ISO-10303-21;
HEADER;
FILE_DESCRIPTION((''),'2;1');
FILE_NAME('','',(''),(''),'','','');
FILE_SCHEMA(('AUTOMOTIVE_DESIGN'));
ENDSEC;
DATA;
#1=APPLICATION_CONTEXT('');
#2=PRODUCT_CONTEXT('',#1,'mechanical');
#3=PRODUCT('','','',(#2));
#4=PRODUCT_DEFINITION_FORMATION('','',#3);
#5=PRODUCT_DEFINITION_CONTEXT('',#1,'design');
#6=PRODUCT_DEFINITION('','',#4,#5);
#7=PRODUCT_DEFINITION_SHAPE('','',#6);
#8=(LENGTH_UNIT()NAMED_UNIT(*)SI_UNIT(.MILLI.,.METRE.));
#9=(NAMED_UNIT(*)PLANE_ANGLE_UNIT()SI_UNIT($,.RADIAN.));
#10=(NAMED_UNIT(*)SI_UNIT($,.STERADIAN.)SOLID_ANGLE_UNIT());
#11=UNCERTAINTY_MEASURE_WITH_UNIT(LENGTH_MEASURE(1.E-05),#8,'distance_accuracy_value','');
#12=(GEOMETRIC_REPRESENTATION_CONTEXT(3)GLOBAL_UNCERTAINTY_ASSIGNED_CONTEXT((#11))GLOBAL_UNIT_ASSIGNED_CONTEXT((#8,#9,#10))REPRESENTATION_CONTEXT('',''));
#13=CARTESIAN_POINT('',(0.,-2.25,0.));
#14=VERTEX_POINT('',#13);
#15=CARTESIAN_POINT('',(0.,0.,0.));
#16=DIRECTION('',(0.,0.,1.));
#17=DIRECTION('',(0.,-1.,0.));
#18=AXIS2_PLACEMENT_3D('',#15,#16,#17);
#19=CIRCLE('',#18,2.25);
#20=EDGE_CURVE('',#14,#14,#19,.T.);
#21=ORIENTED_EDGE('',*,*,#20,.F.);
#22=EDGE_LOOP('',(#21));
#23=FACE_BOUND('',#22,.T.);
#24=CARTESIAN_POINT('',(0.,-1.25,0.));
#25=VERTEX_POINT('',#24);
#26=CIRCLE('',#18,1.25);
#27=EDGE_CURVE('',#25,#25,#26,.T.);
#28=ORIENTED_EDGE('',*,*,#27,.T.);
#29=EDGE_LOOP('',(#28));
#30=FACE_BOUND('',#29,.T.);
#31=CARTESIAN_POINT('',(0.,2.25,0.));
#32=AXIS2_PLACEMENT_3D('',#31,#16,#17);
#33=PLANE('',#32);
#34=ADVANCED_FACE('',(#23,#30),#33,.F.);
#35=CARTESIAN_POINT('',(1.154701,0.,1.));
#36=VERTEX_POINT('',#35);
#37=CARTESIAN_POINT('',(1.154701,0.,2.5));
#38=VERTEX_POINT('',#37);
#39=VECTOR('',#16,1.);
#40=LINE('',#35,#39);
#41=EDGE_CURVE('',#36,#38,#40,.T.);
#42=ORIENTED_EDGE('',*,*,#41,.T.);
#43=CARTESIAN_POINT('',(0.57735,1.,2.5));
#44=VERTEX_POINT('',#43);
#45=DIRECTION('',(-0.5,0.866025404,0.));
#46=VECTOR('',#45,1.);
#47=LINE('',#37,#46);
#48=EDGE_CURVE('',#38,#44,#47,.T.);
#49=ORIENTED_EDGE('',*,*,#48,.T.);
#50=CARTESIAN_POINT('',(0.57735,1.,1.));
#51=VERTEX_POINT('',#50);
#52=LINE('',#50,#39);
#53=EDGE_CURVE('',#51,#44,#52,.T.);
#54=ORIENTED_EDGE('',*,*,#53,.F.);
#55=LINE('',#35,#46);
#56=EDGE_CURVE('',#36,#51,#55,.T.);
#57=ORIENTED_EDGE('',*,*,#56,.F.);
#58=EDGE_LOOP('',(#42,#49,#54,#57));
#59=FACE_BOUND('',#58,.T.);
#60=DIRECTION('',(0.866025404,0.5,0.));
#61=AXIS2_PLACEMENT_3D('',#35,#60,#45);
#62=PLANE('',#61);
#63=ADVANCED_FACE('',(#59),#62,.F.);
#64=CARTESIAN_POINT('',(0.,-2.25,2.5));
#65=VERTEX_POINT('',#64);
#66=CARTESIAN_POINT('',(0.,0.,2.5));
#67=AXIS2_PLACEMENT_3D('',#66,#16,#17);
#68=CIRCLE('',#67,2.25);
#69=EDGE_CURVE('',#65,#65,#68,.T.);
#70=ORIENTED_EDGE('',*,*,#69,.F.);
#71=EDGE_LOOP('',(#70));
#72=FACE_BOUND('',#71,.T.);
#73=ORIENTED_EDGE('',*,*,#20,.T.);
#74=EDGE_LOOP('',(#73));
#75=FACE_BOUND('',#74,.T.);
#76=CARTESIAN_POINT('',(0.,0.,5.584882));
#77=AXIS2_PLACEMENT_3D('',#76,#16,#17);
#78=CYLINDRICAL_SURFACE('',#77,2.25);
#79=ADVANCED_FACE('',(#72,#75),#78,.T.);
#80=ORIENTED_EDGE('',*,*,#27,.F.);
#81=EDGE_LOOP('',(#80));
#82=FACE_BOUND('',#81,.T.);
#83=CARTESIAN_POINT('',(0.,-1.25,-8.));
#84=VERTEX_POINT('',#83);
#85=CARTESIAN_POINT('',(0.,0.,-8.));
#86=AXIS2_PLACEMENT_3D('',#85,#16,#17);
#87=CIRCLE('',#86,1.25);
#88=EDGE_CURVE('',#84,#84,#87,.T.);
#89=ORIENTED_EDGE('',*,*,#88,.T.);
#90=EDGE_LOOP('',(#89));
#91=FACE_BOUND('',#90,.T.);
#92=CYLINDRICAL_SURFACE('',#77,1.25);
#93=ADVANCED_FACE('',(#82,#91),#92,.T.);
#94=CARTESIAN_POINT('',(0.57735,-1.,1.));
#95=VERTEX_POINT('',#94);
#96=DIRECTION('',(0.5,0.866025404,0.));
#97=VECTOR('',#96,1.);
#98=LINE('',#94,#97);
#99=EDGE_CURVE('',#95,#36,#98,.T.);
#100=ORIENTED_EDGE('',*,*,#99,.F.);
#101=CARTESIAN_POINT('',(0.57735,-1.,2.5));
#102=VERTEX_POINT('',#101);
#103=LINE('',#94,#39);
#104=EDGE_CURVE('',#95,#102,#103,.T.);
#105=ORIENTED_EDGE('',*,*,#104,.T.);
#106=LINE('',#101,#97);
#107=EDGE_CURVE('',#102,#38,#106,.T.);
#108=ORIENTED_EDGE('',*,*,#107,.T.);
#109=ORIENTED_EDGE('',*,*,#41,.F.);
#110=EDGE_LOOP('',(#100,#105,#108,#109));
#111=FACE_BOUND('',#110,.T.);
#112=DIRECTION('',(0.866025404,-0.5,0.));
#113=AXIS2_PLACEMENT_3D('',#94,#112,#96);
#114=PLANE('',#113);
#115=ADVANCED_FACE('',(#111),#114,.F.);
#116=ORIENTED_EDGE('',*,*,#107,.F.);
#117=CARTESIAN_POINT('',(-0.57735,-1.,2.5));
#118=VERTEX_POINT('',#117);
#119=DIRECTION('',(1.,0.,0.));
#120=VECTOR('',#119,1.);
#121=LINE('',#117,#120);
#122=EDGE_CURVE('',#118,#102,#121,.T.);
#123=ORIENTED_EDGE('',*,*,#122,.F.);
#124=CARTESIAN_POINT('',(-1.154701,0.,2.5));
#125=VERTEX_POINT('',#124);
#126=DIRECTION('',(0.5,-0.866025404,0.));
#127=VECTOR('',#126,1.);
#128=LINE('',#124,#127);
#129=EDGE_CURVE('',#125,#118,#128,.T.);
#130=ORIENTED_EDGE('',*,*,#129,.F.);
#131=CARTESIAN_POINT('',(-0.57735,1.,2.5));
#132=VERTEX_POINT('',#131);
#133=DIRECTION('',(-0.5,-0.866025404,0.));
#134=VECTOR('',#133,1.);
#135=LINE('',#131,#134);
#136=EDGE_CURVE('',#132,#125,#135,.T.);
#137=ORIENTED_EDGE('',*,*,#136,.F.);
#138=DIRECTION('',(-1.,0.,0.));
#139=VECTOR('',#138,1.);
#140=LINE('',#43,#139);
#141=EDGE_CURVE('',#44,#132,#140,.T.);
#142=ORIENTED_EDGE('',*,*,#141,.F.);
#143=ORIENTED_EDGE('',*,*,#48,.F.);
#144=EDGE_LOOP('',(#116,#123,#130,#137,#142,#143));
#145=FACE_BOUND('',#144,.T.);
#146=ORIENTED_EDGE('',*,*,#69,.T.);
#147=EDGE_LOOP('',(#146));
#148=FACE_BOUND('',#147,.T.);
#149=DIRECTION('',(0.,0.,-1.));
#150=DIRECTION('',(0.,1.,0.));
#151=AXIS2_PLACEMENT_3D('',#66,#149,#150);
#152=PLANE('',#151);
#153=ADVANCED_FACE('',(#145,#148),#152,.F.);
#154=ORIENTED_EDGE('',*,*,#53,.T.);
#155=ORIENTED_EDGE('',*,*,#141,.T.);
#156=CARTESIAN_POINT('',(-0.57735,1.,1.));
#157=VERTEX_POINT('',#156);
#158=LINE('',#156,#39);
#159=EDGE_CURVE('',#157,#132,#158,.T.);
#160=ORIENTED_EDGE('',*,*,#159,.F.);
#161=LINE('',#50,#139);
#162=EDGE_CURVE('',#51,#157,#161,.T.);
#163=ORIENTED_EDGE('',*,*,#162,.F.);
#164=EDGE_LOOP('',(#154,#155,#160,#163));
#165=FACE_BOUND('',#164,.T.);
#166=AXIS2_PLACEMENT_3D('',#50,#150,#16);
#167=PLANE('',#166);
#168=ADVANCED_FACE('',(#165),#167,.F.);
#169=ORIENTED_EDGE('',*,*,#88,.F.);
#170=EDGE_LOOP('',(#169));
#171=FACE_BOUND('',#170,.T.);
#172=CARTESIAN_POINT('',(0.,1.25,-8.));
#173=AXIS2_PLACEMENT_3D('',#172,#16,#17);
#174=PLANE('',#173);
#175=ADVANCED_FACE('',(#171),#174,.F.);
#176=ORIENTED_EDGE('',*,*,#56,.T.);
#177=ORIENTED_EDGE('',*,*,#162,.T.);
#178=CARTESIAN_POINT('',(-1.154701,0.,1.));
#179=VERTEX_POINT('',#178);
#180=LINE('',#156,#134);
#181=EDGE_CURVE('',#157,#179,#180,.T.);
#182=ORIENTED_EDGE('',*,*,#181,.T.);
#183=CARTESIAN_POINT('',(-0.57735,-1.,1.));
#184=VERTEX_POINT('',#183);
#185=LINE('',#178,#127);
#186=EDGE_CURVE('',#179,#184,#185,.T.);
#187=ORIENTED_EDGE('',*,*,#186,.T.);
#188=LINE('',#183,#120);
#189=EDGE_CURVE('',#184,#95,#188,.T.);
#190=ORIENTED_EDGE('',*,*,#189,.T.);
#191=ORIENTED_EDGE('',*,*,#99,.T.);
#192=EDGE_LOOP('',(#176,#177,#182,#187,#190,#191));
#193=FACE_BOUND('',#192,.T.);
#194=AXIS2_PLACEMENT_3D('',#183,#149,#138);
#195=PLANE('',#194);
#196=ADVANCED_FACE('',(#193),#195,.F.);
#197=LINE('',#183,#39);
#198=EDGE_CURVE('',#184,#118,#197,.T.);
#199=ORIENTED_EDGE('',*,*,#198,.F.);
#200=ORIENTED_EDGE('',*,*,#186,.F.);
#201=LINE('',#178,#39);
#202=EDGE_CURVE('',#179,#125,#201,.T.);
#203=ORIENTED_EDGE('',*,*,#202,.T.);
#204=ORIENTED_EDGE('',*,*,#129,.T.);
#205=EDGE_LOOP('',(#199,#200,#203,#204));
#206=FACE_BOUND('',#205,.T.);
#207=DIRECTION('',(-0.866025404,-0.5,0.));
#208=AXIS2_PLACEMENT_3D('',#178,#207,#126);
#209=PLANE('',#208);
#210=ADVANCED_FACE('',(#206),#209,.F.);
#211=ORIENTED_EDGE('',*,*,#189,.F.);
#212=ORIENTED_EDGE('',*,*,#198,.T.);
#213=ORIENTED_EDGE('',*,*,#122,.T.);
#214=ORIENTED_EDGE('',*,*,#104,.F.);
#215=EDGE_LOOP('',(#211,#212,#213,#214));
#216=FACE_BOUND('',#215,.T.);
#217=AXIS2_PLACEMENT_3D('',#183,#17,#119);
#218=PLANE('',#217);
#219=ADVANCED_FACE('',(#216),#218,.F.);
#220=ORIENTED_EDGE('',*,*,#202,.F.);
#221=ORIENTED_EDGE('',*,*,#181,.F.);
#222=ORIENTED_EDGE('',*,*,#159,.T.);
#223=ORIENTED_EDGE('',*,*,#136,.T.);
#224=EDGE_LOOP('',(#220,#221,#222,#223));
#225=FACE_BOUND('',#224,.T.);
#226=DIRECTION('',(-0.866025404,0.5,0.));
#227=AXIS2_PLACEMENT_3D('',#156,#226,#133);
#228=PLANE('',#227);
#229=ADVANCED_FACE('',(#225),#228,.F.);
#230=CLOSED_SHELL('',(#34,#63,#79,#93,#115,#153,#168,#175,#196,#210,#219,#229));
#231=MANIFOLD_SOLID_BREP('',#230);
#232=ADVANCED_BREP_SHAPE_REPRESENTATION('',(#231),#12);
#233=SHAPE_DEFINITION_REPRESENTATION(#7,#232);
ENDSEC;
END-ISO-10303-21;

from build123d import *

# Parameters (mm, degrees)
CUT_EXTRUDE1_DEPTH = 1.5


with BuildPart() as part:
    # Sketch1 → Revolve1 (revolve)
    with BuildSketch(Plane(origin=(0, 0, 0), x_dir=(0, 0, -1), z_dir=(1, 0, 0))):
        Polygon((-2.5, 0), (-2.5, 2.25), (0, 2.25), (0, 1.25), (8, 1.25), (8, 0), align=None)
    revolve(axis=Axis((0, 0, 5.584882278), (0, 0, -1)))

    # Sketch2 → Cut-Extrude1 (cut)
    with BuildSketch(Plane.XY.offset(2.5)):
        Polygon((0.577350269, -1), (1.154700538, 0), (0.577350269, 1), (-0.577350269, 1), (-1.154700538, 0), (-0.577350269, -1), align=None)
    extrude(amount=-CUT_EXTRUDE1_DEPTH, mode=Mode.SUBTRACT)


solid = part.part
